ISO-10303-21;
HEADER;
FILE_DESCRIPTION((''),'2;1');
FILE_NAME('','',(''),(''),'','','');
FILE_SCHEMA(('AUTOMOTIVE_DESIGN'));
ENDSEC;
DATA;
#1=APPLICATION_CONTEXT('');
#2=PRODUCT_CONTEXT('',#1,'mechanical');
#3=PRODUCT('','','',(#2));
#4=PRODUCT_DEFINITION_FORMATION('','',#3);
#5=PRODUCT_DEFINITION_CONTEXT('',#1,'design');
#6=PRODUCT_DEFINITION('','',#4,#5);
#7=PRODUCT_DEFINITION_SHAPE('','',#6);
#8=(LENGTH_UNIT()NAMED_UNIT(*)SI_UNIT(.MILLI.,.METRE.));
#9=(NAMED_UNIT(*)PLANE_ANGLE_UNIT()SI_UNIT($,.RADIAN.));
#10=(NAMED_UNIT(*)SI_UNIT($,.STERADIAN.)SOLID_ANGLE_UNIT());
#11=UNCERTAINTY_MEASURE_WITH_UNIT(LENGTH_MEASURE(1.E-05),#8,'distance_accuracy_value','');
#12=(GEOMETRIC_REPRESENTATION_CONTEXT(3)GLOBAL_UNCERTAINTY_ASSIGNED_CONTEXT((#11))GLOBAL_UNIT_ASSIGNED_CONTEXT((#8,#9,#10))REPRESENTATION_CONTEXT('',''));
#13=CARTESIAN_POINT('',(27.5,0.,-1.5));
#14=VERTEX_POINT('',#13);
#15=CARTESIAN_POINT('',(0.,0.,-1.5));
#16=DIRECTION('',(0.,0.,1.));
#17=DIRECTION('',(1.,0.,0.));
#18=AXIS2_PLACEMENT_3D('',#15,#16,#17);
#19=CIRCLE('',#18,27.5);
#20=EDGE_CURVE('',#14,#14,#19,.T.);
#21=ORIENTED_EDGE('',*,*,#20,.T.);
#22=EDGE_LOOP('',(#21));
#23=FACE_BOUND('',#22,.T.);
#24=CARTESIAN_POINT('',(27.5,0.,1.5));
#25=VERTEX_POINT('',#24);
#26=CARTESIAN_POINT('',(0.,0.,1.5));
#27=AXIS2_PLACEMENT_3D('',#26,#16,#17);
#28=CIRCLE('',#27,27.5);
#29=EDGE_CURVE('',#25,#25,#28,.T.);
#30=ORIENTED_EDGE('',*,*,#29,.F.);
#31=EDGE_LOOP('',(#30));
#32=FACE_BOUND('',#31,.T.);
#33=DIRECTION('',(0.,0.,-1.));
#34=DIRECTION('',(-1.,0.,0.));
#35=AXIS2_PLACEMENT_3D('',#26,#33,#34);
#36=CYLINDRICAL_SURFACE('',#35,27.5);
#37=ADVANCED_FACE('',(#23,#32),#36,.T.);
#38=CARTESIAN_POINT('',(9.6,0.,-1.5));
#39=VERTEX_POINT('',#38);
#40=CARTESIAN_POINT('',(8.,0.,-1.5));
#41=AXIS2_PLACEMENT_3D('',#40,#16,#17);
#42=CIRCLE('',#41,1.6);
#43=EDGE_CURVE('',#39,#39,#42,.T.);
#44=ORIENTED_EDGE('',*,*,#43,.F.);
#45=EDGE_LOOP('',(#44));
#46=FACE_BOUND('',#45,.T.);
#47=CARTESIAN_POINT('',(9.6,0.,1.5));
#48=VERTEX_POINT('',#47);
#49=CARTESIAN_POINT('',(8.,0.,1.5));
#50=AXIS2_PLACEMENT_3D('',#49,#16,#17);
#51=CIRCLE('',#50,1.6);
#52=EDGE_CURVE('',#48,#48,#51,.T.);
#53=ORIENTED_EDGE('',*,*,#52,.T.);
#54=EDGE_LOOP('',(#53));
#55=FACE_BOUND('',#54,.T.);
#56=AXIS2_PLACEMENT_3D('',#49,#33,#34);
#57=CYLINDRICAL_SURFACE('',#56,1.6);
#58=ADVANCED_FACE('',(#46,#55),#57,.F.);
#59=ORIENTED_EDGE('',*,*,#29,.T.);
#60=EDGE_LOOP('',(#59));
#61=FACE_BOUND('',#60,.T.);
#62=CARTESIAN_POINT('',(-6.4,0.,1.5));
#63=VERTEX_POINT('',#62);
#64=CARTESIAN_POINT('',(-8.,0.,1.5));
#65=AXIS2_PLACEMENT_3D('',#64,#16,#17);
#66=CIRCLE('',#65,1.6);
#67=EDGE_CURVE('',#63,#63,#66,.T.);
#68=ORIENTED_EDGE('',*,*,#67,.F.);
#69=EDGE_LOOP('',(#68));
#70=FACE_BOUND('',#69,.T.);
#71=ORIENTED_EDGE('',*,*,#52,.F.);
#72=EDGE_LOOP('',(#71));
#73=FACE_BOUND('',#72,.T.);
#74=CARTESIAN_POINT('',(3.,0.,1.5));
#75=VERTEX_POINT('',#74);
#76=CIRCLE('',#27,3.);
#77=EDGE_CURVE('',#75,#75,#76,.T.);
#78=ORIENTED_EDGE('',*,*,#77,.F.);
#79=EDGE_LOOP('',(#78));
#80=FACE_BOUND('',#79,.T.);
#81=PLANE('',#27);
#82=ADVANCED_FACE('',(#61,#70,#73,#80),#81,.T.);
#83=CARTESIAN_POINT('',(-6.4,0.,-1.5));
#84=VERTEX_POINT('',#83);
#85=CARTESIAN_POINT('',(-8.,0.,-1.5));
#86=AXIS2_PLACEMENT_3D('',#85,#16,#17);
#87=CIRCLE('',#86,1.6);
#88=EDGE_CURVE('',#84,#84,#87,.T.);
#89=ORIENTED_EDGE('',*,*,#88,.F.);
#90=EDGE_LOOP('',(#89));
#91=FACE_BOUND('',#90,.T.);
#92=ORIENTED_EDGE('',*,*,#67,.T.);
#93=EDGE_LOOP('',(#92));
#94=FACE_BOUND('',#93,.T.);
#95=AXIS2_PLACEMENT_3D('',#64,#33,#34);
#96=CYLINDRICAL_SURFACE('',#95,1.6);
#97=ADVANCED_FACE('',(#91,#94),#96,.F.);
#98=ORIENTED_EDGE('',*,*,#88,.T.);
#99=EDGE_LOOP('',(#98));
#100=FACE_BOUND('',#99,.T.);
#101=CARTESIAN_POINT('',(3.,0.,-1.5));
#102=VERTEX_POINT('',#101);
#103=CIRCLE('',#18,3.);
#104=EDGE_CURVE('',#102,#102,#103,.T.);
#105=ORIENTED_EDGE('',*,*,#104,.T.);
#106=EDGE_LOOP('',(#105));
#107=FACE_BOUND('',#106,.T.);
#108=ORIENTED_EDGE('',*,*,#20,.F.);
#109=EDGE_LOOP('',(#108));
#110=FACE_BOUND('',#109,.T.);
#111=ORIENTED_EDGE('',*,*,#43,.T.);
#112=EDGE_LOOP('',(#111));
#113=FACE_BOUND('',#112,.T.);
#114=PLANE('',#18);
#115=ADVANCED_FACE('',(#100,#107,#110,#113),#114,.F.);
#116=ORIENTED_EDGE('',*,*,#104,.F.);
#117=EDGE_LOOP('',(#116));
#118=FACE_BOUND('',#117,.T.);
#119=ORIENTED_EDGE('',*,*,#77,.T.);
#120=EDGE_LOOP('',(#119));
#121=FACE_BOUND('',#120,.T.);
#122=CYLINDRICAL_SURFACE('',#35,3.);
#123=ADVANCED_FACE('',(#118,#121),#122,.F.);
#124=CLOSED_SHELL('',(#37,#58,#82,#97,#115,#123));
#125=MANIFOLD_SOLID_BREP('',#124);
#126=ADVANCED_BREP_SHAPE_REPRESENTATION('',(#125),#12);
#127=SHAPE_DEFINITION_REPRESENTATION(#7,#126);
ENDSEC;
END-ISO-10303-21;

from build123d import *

# Parameters (mm, degrees)
ESBO_O1_R                = 27.5
ESBO_O1_R_2              = 3
ESBO_O1_R_3              = 1.6
RESSALTO_EXTRUS_O1_DEPTH = 1.5


with BuildPart() as part:
    # Esboço1 → Ressalto-extrusão1 (new body, symmetric)
    with BuildSketch(Plane.XY):
        Circle(ESBO_O1_R)
        Circle(ESBO_O1_R_2, mode=Mode.SUBTRACT)
        with Locations((-8, 0)):
            Circle(ESBO_O1_R_3, mode=Mode.SUBTRACT)
        with Locations((8, 0)):
            Circle(ESBO_O1_R_3, mode=Mode.SUBTRACT)
    extrude(amount=RESSALTO_EXTRUS_O1_DEPTH, both=True)


solid = part.part
